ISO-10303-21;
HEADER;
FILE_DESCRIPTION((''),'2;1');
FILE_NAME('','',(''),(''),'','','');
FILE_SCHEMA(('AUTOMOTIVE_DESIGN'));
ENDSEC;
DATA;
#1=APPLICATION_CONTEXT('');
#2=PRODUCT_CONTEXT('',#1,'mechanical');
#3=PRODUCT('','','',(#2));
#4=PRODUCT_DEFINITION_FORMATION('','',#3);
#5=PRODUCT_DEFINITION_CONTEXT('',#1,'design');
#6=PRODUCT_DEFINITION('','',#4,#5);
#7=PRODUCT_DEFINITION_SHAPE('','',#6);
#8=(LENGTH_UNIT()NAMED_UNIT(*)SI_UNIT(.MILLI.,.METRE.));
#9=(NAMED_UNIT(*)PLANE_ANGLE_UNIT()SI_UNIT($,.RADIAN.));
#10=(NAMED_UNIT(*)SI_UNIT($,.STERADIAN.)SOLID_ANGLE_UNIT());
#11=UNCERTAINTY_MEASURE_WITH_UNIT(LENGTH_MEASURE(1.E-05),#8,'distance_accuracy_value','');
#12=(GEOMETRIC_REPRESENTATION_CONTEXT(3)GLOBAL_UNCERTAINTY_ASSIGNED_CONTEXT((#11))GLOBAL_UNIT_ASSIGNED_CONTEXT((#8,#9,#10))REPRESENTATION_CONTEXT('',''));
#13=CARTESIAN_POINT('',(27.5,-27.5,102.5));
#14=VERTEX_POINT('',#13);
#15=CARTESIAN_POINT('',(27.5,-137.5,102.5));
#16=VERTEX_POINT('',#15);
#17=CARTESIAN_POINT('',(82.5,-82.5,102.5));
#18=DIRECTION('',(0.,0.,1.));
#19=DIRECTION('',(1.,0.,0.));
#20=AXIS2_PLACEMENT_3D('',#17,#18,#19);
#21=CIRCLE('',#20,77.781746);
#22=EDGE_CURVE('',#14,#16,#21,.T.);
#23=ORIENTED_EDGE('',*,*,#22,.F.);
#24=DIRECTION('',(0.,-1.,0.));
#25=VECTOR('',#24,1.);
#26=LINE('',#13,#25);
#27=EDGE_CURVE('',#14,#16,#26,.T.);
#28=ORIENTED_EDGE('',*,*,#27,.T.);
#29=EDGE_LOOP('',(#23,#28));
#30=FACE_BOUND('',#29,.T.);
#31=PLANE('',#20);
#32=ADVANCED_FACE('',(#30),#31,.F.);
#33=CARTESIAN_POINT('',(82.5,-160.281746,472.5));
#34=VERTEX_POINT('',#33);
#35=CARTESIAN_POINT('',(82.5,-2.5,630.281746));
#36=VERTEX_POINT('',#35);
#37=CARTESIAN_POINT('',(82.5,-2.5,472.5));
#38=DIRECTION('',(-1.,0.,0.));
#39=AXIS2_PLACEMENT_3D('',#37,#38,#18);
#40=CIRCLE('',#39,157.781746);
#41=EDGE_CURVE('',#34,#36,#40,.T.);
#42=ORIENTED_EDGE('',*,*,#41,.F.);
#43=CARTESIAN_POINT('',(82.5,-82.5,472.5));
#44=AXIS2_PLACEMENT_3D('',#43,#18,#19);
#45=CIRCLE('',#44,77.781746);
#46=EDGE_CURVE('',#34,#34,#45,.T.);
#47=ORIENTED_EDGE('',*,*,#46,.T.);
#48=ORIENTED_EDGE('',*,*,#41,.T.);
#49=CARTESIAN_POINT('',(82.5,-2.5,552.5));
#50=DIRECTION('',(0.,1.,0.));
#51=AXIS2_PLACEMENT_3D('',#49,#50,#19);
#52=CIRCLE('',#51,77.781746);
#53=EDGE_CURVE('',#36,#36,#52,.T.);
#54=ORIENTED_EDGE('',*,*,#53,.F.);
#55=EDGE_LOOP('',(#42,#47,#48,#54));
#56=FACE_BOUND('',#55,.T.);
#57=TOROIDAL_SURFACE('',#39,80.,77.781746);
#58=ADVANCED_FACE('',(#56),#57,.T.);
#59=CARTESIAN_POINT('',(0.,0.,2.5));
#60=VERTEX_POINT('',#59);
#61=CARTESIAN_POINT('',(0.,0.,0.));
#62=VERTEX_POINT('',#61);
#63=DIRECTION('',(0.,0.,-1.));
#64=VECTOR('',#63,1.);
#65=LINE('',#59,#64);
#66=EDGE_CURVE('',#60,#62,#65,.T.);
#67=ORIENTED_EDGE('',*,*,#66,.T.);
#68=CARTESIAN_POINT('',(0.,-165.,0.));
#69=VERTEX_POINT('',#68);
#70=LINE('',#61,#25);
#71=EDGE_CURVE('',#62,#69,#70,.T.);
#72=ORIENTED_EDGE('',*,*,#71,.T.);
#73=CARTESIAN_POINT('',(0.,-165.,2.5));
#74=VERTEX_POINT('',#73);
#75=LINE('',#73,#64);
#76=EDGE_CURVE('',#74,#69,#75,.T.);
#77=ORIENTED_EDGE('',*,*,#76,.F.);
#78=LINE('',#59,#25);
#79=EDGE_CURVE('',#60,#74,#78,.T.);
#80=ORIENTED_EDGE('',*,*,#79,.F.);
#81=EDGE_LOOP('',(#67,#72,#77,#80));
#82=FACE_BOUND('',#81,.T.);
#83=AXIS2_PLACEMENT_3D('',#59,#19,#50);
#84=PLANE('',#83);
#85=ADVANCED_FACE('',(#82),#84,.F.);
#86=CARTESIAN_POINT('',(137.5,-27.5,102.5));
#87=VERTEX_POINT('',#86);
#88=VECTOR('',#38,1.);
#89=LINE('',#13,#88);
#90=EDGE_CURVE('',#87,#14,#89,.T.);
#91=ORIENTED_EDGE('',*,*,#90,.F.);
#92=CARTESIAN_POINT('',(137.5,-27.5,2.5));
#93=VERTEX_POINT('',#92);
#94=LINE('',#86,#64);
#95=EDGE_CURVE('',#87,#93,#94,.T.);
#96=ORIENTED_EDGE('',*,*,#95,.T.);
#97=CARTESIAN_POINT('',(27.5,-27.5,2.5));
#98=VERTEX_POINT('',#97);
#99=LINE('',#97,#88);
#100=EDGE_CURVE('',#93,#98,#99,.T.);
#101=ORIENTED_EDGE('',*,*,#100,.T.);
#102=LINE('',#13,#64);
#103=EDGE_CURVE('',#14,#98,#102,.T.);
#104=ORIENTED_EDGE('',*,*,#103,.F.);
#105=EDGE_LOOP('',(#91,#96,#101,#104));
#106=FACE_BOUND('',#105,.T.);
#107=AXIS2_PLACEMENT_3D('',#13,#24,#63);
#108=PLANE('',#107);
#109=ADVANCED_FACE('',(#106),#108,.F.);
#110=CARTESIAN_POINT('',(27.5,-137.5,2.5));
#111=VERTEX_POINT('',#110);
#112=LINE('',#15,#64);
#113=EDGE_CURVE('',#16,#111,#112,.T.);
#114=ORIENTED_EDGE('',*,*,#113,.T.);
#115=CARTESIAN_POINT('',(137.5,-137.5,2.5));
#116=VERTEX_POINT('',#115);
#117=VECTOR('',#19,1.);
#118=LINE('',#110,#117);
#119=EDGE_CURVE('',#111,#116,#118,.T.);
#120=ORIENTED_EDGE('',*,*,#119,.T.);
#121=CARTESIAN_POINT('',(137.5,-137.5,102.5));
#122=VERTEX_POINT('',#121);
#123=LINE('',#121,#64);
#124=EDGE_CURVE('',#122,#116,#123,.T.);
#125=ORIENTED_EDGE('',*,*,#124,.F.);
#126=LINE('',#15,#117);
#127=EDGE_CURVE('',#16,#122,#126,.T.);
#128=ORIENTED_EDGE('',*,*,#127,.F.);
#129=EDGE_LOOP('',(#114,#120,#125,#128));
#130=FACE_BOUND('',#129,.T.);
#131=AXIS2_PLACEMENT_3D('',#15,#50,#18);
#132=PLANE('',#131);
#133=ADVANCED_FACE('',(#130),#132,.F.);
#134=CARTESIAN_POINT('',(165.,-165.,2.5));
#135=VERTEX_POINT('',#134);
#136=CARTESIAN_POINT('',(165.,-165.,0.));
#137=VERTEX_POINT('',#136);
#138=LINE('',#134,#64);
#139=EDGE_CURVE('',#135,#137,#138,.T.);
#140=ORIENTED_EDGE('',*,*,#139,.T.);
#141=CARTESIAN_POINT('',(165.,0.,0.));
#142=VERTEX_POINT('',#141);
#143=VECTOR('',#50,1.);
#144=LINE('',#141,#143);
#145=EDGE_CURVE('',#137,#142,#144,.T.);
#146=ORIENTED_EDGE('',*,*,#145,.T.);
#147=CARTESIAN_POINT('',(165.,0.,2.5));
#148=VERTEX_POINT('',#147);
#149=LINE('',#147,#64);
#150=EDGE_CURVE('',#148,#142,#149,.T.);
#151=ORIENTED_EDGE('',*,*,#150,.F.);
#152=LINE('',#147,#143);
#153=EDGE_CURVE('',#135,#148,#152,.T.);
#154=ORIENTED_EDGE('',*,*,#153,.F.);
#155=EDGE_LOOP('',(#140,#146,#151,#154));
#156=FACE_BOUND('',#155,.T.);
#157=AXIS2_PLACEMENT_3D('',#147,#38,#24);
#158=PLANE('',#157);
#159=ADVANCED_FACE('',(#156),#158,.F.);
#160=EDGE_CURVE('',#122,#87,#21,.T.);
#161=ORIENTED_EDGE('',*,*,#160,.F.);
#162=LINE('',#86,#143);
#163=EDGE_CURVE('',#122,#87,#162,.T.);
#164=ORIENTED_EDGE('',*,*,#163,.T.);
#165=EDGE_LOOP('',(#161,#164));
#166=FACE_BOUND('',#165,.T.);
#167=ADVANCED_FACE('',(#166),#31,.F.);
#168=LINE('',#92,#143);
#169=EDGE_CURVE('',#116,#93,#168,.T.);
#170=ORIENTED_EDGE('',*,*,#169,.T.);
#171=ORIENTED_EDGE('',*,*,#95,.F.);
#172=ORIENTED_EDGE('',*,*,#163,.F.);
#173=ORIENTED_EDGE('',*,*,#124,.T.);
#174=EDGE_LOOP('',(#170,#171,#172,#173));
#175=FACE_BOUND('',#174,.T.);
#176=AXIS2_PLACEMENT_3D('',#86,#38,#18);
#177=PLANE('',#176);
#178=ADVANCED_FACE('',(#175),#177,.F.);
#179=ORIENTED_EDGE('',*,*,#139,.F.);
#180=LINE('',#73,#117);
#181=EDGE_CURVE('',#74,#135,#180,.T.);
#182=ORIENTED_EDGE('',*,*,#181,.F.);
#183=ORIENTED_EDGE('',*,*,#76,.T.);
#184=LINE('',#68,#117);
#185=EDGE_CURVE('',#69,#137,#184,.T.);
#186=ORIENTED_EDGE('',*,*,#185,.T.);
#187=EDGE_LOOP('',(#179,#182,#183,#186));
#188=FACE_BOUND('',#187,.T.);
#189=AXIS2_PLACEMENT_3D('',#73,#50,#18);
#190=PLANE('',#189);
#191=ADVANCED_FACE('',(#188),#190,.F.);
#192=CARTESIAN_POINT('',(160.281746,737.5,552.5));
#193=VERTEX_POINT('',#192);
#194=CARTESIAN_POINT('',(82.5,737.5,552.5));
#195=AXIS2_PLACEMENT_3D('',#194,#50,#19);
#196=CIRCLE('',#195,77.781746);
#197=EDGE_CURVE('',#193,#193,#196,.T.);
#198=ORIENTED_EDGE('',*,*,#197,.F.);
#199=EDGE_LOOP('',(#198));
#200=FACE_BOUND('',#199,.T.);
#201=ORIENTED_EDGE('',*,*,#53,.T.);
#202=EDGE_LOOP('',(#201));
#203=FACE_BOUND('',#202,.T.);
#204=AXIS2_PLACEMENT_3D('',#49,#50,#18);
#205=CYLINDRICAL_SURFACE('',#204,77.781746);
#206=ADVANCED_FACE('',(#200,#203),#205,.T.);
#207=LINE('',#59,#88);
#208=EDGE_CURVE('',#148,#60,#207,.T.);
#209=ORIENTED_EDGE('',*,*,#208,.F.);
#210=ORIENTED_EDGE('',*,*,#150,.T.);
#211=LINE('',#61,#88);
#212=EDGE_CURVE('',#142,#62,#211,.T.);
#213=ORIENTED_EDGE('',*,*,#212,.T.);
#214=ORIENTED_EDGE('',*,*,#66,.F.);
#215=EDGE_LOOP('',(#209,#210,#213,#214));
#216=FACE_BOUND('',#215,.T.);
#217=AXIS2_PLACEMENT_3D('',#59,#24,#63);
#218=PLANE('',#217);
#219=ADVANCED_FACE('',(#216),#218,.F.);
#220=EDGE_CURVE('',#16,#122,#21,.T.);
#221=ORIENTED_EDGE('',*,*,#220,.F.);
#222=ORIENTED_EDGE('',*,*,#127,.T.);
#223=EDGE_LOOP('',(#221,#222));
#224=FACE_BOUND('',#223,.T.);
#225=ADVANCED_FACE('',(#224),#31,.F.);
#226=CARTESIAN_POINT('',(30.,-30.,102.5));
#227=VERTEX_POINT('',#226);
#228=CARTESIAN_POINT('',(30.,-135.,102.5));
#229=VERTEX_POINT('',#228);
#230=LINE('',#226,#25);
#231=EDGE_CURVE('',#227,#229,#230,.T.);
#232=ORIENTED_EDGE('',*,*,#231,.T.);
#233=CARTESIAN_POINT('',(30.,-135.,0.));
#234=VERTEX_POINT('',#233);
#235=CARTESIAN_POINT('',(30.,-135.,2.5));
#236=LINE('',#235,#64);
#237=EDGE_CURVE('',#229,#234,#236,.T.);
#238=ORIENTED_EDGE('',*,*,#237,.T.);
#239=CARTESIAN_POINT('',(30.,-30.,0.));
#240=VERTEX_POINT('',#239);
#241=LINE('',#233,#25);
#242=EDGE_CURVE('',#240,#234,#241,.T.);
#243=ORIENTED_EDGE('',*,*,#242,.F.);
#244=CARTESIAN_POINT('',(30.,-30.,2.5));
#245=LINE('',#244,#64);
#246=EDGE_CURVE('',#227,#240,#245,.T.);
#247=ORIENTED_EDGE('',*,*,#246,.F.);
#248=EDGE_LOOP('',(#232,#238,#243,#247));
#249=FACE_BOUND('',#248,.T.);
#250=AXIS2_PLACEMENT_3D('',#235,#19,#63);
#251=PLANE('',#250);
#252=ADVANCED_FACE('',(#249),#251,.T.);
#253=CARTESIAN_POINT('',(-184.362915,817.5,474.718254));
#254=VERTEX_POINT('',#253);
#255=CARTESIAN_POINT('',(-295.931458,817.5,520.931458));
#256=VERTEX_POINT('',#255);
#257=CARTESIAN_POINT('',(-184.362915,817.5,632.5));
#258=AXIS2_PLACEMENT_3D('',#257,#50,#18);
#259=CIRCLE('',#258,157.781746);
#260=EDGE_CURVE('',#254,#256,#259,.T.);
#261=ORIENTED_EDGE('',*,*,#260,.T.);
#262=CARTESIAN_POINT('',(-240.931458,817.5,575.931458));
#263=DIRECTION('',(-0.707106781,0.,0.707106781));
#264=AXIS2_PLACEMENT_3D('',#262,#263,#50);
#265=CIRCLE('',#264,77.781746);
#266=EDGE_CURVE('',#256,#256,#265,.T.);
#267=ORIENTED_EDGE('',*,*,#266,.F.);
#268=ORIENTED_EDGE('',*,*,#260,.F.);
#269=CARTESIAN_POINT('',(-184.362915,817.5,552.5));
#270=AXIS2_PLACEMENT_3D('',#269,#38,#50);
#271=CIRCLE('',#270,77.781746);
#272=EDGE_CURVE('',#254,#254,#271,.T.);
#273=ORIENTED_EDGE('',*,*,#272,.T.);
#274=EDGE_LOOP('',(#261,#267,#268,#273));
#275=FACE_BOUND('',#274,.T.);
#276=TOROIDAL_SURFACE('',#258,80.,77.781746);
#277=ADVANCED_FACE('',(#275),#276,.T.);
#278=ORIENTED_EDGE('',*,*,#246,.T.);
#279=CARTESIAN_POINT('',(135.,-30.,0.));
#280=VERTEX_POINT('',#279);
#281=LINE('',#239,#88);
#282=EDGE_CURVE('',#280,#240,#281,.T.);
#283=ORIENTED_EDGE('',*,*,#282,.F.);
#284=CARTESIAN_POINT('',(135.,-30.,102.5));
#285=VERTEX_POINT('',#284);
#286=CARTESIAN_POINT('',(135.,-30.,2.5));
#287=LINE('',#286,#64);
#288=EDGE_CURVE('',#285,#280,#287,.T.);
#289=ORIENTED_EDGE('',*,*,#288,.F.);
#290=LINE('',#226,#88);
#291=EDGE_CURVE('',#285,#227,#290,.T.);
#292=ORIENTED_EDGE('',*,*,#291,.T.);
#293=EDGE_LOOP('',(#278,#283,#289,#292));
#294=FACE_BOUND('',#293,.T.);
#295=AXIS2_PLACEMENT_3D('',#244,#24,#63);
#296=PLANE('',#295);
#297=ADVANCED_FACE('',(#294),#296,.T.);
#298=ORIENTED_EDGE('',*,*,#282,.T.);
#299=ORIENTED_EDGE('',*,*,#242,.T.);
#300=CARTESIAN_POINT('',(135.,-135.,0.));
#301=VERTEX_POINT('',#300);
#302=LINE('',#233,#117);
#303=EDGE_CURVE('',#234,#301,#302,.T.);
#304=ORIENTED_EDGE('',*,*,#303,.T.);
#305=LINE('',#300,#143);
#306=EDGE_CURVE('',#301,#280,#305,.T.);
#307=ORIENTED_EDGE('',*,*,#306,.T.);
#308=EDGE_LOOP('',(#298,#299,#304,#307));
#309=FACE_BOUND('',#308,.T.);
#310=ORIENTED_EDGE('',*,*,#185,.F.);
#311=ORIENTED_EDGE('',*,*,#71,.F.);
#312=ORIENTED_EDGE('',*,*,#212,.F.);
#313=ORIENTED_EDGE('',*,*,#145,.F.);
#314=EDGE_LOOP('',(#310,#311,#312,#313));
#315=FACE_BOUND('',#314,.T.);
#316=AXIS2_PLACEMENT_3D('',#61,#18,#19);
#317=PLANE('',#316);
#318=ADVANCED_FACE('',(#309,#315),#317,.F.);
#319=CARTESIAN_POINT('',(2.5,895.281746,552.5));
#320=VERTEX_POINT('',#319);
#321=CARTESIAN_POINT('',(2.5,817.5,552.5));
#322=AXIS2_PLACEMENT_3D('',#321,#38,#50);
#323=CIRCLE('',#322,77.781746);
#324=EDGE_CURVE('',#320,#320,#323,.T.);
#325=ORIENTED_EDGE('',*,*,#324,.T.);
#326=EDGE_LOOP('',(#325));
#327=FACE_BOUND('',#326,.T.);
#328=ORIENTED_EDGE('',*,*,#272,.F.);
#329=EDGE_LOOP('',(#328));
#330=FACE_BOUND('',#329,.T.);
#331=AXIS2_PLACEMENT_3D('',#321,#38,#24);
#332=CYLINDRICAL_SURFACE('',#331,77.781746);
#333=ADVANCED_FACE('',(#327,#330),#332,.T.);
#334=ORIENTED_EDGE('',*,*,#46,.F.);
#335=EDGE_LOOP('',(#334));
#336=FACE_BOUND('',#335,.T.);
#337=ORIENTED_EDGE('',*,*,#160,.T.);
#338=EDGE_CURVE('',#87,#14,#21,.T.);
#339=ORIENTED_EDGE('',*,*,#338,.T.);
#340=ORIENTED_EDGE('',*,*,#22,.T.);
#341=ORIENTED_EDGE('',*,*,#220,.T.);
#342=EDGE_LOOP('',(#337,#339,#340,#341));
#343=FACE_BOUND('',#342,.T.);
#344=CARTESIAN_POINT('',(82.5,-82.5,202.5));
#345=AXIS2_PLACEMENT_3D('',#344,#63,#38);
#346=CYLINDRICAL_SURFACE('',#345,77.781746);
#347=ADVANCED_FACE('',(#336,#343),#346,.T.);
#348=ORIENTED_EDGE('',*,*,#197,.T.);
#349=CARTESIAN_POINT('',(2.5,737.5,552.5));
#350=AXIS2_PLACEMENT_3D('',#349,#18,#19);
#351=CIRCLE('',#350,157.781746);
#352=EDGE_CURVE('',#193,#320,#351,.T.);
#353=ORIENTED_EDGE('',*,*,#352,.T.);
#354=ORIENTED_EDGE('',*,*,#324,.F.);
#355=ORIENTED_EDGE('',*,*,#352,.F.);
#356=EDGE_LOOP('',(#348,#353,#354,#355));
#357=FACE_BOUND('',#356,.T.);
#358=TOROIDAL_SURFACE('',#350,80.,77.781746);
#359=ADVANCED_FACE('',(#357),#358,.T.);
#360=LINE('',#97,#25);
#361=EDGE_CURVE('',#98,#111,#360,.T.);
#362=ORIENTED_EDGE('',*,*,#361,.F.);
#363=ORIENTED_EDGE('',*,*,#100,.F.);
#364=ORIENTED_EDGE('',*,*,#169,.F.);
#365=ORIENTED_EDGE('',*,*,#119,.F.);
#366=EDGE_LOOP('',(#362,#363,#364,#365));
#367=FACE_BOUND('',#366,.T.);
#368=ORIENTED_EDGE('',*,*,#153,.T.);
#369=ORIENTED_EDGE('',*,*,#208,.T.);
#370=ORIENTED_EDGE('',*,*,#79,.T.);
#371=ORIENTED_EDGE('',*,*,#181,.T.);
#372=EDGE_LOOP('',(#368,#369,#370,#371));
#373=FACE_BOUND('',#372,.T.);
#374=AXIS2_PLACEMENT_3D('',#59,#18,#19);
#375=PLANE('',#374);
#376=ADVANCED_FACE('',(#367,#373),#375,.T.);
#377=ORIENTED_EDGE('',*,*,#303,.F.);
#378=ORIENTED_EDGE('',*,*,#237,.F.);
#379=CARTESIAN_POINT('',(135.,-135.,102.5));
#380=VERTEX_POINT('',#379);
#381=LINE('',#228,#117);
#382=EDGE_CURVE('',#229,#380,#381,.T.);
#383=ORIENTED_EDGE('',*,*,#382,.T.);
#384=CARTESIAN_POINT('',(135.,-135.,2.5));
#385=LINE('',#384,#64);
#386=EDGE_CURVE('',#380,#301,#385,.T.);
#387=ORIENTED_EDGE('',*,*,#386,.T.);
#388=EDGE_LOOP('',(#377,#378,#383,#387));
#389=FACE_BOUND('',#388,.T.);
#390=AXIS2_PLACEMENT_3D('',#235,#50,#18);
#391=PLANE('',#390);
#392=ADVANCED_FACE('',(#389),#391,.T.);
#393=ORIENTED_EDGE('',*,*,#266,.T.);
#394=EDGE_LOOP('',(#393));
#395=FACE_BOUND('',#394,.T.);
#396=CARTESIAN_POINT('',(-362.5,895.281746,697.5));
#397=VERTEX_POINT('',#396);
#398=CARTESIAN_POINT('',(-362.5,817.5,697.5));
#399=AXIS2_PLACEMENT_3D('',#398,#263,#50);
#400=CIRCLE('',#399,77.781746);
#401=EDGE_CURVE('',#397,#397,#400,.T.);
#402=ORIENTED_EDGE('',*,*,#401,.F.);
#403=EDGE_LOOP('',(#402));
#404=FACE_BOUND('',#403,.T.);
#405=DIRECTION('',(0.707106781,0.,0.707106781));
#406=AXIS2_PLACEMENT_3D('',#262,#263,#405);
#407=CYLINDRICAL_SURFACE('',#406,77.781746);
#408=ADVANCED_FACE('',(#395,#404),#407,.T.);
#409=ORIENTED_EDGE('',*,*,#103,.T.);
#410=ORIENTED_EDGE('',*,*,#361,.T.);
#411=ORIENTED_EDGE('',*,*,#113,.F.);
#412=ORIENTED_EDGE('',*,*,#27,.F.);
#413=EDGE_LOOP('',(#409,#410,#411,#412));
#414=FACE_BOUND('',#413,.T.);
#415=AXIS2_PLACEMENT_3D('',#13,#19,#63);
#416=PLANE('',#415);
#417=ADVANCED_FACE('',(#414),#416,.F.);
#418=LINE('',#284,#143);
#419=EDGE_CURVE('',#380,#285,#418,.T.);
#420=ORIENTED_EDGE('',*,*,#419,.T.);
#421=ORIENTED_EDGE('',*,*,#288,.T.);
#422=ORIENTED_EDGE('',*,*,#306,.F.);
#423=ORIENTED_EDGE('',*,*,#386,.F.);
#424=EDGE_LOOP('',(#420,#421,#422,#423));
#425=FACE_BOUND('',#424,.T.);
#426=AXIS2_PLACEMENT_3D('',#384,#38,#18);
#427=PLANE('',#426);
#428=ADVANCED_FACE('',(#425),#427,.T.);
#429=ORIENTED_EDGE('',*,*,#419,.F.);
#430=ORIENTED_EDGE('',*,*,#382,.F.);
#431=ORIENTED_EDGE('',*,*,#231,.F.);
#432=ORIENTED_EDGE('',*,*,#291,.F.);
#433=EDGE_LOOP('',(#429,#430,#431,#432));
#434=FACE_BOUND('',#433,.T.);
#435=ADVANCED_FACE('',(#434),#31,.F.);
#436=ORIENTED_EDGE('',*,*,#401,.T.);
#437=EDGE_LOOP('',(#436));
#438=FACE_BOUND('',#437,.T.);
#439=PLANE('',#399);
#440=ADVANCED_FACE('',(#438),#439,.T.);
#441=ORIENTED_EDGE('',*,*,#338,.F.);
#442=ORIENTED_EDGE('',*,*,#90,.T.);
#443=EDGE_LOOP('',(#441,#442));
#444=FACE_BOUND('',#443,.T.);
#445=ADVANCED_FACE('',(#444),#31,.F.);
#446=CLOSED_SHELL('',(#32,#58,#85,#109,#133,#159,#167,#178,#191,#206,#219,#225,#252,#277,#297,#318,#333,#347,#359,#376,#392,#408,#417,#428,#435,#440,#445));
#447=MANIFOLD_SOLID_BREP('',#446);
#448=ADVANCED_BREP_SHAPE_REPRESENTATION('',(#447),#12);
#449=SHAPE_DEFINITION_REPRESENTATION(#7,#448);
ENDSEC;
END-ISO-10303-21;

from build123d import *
from build123d.topology import SkipClean

# Parameters (mm, degrees)
CROQUIS1_W              = 165
CROQUIS1_H              = 165
CROQUIS1_W_2            = 105
CROQUIS1_H_2            = 105
SALIENTE_EXTRUIR1_DEPTH = 2.5
CROQUIS2_W              = 110
CROQUIS2_H              = 110
CROQUIS2_W_2            = 105
CROQUIS2_H_2            = 105
SALIENTE_EXTRUIR2_DEPTH = 100
CROQUIS3_R              = 77.781745931
SALIENTE_EXTRUIR3_DEPTH = 100
CROQUIS5_R              = 77.781745931


with BuildPart() as part:
    # Croquis1 → Saliente-Extruir1 (new body)
    with BuildSketch(Plane.XY):
        with Locations((82.5, -82.5)):
            Rectangle(CROQUIS1_W, CROQUIS1_H)
        with Locations((82.5, -82.5)):
            Rectangle(CROQUIS1_W_2, CROQUIS1_H_2, mode=Mode.SUBTRACT)
    extrude(amount=SALIENTE_EXTRUIR1_DEPTH)

    # Croquis2 → Saliente-Extruir2 (add)
    with BuildSketch(Plane.XY.offset(2.5)):
        with Locations((82.5, -82.5)):
            Rectangle(CROQUIS2_W, CROQUIS2_H)
        with Locations((82.5, -82.5)):
            Rectangle(CROQUIS2_W_2, CROQUIS2_H_2, mode=Mode.SUBTRACT)
    extrude(amount=SALIENTE_EXTRUIR2_DEPTH)

    # Croquis3 → Saliente-Extruir3 (add)
    with BuildSketch(Plane.XY.offset(102.5)):
        with Locations(Location((82.5, -82.5, 0), (0, 0, 135))):
            Circle(CROQUIS3_R)
    extrude(amount=SALIENTE_EXTRUIR3_DEPTH)

    # Barrer1: sweep along a curve in space
    with SkipClean():  # the faces are left unmerged after this step: merging them gives an invalid solid
        with BuildLine() as barrer1_path:
            Line((82.5, -82.5, 202.5), (82.5, -82.5, 472.5))
            ThreePointArc((82.5, -82.5, 472.5), (82.5, -59.068542495, 529.068542495), (82.5, -2.5, 552.5))
            Line((82.5, -2.5, 552.5), (82.5, 737.5, 552.5))
            ThreePointArc((82.5, 737.5, 552.5), (59.068542495, 794.068542495, 552.5), (2.5, 817.5, 552.5))
            Line((2.5, 817.5, 552.5), (-184.36291501, 817.5, 552.5))
            ThreePointArc((-184.36291501, 817.5, 552.5), (-214.977589599, 817.5, 558.589637399), (-240.931457505, 817.5, 575.931457505))
            Line((-362.5, 817.5, 697.5), (-240.931457505, 817.5, 575.931457505))
        # Croquis5 → Barrer1 (sweep)
        with BuildSketch(Plane.XY.offset(202.5)):
            with Locations((82.5, -82.5)):
                Circle(CROQUIS5_R)
        sweep(path=barrer1_path.line)


solid = part.part
